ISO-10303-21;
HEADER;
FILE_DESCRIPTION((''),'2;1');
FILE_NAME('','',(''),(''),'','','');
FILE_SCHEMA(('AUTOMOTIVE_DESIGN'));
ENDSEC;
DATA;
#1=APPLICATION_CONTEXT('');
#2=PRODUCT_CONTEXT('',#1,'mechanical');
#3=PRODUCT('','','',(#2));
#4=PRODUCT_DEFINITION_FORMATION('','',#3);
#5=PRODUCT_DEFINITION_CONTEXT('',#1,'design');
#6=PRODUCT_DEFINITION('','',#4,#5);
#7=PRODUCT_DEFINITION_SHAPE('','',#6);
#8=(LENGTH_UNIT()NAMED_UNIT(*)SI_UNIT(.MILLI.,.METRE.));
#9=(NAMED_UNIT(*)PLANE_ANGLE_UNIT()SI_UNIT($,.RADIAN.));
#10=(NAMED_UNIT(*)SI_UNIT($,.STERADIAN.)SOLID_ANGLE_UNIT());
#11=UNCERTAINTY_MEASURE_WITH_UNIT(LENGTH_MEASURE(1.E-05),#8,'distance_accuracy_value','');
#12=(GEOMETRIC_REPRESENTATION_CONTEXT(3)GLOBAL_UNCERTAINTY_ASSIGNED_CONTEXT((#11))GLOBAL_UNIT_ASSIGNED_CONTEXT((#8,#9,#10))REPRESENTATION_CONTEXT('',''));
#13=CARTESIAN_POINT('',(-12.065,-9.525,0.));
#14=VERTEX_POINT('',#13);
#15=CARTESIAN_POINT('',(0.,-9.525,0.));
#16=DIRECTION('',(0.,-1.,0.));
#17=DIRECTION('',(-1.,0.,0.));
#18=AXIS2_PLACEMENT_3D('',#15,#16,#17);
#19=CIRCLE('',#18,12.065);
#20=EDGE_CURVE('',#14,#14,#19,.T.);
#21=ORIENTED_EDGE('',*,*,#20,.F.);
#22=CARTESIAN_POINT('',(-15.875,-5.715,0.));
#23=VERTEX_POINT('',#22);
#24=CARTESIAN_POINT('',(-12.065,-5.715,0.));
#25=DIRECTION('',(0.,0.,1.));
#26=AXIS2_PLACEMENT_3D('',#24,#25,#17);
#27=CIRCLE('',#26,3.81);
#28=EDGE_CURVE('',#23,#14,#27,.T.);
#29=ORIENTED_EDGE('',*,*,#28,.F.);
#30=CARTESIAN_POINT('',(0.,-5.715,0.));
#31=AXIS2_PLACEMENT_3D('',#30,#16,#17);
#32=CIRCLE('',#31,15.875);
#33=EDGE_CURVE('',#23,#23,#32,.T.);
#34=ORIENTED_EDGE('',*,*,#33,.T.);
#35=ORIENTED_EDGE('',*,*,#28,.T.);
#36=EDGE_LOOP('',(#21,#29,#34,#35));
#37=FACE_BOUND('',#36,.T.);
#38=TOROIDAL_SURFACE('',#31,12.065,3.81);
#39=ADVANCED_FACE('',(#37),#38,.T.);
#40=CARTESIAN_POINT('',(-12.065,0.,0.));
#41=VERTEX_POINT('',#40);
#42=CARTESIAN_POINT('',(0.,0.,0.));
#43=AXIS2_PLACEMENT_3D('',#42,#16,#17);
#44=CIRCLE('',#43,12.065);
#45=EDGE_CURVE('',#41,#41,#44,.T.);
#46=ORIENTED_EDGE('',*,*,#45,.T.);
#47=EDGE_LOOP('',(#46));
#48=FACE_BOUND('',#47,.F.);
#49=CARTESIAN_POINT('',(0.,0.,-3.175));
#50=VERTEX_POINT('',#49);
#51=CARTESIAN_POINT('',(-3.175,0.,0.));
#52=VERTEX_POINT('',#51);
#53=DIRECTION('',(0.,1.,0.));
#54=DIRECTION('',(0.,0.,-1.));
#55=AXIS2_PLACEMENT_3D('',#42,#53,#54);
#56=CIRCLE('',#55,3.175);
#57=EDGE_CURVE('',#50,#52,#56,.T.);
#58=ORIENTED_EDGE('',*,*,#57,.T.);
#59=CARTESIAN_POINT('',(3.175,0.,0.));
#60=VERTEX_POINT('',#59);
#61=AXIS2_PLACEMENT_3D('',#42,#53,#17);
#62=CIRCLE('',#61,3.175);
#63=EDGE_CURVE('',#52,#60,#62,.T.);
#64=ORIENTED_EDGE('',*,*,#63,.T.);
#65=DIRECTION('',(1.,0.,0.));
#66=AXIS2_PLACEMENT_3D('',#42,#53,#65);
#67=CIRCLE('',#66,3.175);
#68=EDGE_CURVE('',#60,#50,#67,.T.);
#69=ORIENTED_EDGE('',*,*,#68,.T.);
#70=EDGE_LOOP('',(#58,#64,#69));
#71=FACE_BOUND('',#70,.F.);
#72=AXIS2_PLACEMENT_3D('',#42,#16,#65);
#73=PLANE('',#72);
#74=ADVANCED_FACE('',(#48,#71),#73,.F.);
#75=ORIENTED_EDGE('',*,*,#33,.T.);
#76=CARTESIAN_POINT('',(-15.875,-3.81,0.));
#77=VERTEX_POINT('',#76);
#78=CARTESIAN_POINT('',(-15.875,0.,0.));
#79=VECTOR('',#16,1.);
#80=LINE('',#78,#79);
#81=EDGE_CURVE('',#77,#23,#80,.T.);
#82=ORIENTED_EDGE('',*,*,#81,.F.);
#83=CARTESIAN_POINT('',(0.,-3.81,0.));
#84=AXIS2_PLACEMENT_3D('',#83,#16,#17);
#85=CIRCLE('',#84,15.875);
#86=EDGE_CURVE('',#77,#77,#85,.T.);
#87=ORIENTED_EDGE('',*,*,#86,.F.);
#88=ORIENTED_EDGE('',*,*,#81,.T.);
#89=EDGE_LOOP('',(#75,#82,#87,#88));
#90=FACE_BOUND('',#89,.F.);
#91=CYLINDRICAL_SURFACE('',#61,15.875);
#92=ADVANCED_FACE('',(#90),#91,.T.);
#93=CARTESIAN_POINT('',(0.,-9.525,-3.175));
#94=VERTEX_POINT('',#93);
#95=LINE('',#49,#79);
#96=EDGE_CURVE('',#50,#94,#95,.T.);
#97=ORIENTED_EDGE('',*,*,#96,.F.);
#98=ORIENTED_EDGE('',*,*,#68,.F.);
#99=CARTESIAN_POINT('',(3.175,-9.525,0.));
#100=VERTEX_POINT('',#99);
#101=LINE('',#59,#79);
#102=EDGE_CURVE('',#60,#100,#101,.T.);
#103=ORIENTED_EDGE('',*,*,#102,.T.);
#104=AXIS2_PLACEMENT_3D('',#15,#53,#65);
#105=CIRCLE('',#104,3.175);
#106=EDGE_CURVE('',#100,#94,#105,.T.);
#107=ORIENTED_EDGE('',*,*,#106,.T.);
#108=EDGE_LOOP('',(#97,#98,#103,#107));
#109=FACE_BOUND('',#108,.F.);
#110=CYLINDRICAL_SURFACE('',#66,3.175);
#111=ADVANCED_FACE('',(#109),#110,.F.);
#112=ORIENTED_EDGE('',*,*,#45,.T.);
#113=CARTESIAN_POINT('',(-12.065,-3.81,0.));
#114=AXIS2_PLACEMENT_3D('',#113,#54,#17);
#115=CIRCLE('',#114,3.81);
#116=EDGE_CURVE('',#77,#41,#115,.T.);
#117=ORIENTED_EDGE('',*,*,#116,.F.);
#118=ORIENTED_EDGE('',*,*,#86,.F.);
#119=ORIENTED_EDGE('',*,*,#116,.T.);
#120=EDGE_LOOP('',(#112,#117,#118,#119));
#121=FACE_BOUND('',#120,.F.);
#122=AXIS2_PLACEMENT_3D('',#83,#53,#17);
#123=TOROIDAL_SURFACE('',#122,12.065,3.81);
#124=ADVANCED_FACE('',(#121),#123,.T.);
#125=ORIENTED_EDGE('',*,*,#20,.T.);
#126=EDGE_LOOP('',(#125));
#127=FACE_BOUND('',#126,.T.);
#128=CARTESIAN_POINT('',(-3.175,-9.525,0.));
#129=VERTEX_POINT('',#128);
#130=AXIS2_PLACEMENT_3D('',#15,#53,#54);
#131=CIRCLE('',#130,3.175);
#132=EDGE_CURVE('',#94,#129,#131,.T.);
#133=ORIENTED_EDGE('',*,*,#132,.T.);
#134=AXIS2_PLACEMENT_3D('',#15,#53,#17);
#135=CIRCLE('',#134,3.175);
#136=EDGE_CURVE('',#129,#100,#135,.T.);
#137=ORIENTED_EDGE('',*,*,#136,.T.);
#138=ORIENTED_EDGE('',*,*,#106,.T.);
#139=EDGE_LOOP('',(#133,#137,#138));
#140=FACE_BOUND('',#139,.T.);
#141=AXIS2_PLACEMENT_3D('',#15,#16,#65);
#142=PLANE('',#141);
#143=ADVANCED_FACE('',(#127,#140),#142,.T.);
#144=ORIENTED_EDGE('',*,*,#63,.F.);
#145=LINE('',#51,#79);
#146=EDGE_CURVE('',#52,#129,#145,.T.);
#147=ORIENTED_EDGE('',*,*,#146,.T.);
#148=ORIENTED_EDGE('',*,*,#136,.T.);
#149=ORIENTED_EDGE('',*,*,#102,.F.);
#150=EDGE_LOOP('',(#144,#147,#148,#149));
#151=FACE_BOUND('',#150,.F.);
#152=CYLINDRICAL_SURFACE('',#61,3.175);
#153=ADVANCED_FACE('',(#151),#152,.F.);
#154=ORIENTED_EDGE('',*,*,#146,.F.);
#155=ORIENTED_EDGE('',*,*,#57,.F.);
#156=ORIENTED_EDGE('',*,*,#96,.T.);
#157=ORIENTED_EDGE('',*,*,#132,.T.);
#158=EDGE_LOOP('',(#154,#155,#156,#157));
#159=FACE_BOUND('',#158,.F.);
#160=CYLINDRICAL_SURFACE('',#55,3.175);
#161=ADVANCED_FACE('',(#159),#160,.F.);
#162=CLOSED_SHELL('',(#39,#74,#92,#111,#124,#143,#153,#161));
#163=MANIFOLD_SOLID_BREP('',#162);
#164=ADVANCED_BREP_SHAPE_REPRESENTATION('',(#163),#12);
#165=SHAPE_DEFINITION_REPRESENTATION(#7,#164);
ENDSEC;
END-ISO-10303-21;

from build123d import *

# Parameters (mm, degrees)
F1_DEPTH = 9.525
F2_R     = 3.81


with BuildPart() as f1:
    # F0 (on Front) → F1 (new body)
    with BuildSketch(Plane.XZ):
        with BuildLine():
            ThreePointArc((15.875, 0), (0, 15.875), (-15.875, 0))
            ThreePointArc((-15.875, 0), (0, -15.875), (15.875, 0))
        make_face()
        with BuildLine():
            ThreePointArc((0, -3.175), (-2.2450640303, -2.2450640303), (-3.175, 0))
            ThreePointArc((-3.175, 0), (0, 3.175), (3.175, 0))
            ThreePointArc((3.175, 0), (2.2450640303, -2.2450640303), (0, -3.175))
        make_face(mode=Mode.SUBTRACT)
    extrude(amount=F1_DEPTH)

    # F2
    f2_edges = [f1.edges().sort_by_distance(p)[0] for p in [
        (15.875, -9.525, 0),
        (15.875, 0, 0),
    ]]
    fillet(f2_edges, radius=F2_R)


solid = f1.part
